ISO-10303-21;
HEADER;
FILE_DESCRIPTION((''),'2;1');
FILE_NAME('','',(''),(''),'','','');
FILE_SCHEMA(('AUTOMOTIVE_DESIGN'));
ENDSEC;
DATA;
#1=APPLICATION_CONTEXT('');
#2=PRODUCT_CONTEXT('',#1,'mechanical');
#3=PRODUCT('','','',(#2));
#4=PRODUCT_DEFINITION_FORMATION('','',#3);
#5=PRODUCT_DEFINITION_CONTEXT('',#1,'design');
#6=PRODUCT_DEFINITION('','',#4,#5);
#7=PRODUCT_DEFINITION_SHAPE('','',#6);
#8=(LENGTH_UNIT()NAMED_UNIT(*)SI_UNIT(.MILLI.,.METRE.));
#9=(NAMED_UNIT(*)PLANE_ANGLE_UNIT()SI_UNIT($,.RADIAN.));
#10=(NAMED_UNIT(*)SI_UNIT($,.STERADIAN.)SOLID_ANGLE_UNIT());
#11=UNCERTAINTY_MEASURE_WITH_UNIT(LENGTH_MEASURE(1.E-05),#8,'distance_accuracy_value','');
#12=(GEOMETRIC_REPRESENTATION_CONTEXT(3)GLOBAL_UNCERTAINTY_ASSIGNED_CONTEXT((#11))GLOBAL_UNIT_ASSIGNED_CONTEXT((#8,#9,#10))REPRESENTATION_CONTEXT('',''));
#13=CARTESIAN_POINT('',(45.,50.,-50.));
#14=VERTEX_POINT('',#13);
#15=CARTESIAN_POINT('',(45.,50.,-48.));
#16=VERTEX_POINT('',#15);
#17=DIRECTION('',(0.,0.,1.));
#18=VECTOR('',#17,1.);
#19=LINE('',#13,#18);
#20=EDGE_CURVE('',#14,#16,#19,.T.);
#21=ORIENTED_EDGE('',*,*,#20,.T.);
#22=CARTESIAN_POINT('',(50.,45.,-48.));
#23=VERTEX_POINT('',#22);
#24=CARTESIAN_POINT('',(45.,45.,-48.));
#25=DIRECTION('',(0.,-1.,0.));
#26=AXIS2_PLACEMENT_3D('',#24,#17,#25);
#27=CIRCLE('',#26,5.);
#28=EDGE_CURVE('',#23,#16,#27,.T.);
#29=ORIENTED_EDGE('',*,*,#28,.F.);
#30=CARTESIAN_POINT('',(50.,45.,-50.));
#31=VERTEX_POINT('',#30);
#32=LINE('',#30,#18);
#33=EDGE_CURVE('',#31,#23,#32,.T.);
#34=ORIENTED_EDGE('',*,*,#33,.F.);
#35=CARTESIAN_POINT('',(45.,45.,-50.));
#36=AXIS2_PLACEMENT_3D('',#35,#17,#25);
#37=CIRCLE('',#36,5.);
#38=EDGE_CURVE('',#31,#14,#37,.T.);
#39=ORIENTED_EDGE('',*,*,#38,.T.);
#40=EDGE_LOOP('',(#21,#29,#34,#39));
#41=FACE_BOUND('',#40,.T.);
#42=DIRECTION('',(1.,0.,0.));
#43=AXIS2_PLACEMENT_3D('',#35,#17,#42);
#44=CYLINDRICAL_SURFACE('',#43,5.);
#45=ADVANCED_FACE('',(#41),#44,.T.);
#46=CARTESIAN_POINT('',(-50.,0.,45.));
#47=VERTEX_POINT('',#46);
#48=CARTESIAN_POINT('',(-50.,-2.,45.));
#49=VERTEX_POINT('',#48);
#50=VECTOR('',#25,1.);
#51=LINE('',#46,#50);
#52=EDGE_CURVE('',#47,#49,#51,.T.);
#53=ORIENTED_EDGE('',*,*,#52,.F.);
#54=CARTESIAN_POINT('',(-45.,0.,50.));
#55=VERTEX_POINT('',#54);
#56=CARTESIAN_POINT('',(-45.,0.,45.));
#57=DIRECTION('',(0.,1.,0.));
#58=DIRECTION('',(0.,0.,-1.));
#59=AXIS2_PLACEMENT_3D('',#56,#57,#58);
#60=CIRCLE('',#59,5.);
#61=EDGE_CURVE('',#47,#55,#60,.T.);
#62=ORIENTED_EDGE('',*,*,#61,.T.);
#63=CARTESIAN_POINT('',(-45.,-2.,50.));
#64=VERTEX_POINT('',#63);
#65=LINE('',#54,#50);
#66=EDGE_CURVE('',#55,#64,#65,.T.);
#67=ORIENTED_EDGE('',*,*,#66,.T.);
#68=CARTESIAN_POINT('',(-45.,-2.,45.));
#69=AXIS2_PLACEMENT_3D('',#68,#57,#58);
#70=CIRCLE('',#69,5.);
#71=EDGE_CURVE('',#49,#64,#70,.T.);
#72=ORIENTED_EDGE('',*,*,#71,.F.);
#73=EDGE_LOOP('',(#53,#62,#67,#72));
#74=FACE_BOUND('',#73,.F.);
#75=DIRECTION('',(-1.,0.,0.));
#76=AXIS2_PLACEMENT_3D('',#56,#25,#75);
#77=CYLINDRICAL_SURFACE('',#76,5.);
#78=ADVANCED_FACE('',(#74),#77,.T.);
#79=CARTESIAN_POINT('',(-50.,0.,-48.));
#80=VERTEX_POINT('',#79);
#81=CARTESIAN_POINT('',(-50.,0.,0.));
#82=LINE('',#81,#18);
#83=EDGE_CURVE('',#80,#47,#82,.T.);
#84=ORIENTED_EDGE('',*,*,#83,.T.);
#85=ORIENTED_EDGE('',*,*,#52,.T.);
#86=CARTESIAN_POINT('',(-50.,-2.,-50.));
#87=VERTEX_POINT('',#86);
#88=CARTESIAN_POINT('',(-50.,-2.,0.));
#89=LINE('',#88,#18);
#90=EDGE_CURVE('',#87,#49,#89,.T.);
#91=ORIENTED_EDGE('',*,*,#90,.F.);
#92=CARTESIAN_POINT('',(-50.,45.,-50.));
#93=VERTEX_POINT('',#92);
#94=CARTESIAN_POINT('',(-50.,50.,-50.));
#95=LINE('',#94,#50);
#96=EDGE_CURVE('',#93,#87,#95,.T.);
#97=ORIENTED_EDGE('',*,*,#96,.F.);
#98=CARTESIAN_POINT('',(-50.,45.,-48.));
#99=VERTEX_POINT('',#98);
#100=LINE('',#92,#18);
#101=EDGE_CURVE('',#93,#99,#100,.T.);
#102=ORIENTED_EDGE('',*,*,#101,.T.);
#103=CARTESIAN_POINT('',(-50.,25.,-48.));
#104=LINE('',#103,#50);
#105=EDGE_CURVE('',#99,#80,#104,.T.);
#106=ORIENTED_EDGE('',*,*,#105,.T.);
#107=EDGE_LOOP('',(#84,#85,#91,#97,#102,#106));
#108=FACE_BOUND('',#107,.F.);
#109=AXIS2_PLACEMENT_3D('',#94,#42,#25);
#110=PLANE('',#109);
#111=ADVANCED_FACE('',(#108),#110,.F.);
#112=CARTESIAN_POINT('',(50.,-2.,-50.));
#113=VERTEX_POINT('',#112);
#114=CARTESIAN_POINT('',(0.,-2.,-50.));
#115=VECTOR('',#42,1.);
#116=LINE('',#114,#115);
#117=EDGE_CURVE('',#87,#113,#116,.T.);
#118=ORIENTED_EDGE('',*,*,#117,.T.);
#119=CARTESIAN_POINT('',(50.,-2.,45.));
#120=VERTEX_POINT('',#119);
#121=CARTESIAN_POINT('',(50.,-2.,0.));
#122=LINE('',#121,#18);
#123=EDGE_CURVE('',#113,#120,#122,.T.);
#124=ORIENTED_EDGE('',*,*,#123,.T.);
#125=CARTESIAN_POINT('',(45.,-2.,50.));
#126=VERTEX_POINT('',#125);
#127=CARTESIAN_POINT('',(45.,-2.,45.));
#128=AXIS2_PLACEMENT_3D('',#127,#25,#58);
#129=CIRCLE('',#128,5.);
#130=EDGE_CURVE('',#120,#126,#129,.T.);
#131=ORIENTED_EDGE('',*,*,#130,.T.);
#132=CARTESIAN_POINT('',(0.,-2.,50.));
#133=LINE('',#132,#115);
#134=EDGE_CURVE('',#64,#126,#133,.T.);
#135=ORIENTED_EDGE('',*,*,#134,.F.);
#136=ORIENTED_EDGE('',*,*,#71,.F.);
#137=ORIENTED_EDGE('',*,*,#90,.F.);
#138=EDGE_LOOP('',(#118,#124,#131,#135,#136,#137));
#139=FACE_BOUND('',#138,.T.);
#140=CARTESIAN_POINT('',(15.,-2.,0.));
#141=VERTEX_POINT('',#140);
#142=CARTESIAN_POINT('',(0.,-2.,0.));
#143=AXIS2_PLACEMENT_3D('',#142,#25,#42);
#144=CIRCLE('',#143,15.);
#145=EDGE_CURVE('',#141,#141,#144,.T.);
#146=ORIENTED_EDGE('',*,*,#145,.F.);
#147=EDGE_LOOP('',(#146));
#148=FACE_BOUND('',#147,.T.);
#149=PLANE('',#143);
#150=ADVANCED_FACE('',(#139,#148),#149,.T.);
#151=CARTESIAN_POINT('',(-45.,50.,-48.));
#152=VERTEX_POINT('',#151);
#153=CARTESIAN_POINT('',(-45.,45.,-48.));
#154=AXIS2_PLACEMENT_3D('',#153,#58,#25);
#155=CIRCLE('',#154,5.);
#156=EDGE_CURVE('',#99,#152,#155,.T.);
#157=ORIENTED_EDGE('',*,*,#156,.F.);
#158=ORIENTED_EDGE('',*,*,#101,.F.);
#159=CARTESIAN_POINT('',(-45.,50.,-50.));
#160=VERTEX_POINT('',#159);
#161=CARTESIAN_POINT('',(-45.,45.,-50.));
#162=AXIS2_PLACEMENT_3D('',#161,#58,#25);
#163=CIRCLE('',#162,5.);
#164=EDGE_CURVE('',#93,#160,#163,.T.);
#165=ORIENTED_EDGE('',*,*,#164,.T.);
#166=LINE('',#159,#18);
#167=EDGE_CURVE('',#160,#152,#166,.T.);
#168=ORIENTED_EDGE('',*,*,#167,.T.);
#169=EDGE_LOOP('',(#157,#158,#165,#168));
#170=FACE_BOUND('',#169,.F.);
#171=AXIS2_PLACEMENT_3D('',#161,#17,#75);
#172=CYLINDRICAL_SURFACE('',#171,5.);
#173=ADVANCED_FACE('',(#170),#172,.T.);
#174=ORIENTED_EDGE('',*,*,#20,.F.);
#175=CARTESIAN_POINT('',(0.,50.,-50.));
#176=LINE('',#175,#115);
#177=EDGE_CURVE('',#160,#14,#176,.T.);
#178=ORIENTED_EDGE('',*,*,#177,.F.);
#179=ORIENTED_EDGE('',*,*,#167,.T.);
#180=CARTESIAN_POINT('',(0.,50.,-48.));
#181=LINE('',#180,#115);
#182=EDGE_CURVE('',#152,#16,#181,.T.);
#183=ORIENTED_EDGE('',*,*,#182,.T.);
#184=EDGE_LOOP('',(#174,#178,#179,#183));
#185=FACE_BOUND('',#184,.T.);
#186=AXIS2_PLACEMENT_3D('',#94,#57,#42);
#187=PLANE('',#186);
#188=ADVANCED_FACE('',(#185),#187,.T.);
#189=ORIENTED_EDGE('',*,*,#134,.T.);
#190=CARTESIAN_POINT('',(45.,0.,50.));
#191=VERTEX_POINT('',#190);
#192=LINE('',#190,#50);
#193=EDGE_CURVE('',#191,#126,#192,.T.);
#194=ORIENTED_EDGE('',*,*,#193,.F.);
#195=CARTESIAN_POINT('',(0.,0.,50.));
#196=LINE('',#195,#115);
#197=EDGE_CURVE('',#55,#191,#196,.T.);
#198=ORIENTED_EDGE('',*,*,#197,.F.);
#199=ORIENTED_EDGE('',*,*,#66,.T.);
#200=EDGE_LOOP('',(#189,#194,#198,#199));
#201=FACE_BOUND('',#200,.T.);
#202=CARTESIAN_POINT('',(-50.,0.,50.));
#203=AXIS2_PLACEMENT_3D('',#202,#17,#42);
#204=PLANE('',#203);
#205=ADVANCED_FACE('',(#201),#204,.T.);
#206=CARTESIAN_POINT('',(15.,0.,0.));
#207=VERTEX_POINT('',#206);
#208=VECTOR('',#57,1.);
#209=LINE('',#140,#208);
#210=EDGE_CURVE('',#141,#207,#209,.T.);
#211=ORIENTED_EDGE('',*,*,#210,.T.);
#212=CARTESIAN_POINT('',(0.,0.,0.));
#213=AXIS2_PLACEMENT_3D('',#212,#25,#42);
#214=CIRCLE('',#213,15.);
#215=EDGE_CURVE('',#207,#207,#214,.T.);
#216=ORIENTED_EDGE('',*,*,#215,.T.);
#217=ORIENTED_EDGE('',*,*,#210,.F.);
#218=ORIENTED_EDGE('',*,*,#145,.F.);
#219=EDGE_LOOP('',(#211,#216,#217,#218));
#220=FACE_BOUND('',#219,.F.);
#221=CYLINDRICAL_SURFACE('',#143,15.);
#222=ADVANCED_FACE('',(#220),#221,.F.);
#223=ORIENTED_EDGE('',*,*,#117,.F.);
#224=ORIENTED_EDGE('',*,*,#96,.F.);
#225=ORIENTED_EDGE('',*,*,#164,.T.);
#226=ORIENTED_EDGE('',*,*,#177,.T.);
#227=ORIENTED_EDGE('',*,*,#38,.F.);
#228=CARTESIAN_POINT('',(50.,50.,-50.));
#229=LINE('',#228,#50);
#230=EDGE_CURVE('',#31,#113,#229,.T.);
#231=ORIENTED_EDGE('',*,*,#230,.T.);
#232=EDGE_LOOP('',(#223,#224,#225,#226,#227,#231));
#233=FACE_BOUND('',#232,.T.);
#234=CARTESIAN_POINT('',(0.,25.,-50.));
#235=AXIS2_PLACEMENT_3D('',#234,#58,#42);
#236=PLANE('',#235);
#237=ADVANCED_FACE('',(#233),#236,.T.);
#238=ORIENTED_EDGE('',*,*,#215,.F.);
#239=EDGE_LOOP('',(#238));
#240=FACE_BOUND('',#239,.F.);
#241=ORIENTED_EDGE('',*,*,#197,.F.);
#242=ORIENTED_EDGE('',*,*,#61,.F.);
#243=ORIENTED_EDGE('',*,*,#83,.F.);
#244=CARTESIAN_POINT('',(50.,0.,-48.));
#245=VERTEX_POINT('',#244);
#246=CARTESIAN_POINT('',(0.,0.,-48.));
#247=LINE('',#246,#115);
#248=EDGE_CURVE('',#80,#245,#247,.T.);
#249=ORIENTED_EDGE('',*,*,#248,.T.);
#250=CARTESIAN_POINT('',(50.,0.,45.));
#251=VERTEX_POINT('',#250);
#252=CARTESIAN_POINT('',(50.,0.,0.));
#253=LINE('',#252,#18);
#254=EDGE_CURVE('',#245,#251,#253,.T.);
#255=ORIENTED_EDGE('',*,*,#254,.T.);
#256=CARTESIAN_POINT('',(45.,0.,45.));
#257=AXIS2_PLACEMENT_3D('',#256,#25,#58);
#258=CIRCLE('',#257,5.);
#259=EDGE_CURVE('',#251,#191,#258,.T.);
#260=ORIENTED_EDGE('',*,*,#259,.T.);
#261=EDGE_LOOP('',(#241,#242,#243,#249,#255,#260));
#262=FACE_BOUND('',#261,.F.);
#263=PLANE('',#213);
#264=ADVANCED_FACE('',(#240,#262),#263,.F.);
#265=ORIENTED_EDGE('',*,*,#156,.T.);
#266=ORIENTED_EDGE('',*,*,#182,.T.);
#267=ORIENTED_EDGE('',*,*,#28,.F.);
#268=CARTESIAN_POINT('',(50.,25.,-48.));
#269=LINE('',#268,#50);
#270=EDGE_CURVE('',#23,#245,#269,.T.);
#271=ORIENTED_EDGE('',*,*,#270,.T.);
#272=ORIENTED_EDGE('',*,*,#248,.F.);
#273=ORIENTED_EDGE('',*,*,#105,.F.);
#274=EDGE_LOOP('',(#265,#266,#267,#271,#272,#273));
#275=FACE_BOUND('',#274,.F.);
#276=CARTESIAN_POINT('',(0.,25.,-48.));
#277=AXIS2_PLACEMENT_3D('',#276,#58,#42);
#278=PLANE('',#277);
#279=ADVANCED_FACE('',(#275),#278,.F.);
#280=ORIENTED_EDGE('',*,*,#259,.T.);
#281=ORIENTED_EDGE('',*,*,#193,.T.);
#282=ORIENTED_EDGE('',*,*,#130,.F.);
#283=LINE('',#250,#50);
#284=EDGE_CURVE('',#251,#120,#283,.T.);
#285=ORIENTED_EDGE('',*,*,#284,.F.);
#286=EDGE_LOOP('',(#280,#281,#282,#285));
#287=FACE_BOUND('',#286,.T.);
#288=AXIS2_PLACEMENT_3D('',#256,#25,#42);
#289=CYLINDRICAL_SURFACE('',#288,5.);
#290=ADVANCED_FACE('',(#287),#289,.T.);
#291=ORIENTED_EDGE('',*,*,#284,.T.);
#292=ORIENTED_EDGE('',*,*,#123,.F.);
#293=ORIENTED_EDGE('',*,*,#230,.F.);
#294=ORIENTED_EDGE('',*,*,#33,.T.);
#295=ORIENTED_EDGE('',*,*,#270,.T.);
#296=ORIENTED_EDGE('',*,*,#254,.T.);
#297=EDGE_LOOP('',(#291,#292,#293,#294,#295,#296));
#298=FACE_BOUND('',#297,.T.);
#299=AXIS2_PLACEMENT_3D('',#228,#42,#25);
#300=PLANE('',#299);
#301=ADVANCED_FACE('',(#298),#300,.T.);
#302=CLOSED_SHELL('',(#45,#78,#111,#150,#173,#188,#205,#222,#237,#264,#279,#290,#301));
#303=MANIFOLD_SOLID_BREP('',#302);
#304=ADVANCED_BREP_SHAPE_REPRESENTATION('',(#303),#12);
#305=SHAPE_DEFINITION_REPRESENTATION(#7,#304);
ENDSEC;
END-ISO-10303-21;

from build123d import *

# Parameters (mm, degrees)
F0_W     = 100
F0_H     = 100
F1_DEPTH = 2
F2_R     = 15
F3_DEPTH = 25
F4_W     = 100
F4_H     = 50
F5_DEPTH = 2
F6_R     = 5


with BuildPart() as f1:
    # F0 (on Front) → F1 (new body)
    with BuildSketch(Plane.XZ):
        Rectangle(F0_W, F0_H)
    extrude(amount=F1_DEPTH)

    # F2 (on face) → F3 (cut)
    with BuildSketch(Plane.XZ.offset(2)):
        Circle(F2_R)
    extrude(amount=-F3_DEPTH, mode=Mode.SUBTRACT)

    # F4 (on face) → F5 (join)
    with BuildSketch(Plane(origin=(0, 0, -50), x_dir=(1, 0, 0), z_dir=(0, 0, -1))):
        with Locations((0, -25)):
            Rectangle(F4_W, F4_H)
    extrude(amount=-F5_DEPTH)

    # F6
    f6_edges = [f1.edges().sort_by_distance(p)[0] for p in [
        (50, -1, 50),
        (50, 50, -49),
        (-50, 50, -49),
        (-50, -1, 50),
    ]]
    fillet(f6_edges, radius=F6_R)


solid = f1.part
